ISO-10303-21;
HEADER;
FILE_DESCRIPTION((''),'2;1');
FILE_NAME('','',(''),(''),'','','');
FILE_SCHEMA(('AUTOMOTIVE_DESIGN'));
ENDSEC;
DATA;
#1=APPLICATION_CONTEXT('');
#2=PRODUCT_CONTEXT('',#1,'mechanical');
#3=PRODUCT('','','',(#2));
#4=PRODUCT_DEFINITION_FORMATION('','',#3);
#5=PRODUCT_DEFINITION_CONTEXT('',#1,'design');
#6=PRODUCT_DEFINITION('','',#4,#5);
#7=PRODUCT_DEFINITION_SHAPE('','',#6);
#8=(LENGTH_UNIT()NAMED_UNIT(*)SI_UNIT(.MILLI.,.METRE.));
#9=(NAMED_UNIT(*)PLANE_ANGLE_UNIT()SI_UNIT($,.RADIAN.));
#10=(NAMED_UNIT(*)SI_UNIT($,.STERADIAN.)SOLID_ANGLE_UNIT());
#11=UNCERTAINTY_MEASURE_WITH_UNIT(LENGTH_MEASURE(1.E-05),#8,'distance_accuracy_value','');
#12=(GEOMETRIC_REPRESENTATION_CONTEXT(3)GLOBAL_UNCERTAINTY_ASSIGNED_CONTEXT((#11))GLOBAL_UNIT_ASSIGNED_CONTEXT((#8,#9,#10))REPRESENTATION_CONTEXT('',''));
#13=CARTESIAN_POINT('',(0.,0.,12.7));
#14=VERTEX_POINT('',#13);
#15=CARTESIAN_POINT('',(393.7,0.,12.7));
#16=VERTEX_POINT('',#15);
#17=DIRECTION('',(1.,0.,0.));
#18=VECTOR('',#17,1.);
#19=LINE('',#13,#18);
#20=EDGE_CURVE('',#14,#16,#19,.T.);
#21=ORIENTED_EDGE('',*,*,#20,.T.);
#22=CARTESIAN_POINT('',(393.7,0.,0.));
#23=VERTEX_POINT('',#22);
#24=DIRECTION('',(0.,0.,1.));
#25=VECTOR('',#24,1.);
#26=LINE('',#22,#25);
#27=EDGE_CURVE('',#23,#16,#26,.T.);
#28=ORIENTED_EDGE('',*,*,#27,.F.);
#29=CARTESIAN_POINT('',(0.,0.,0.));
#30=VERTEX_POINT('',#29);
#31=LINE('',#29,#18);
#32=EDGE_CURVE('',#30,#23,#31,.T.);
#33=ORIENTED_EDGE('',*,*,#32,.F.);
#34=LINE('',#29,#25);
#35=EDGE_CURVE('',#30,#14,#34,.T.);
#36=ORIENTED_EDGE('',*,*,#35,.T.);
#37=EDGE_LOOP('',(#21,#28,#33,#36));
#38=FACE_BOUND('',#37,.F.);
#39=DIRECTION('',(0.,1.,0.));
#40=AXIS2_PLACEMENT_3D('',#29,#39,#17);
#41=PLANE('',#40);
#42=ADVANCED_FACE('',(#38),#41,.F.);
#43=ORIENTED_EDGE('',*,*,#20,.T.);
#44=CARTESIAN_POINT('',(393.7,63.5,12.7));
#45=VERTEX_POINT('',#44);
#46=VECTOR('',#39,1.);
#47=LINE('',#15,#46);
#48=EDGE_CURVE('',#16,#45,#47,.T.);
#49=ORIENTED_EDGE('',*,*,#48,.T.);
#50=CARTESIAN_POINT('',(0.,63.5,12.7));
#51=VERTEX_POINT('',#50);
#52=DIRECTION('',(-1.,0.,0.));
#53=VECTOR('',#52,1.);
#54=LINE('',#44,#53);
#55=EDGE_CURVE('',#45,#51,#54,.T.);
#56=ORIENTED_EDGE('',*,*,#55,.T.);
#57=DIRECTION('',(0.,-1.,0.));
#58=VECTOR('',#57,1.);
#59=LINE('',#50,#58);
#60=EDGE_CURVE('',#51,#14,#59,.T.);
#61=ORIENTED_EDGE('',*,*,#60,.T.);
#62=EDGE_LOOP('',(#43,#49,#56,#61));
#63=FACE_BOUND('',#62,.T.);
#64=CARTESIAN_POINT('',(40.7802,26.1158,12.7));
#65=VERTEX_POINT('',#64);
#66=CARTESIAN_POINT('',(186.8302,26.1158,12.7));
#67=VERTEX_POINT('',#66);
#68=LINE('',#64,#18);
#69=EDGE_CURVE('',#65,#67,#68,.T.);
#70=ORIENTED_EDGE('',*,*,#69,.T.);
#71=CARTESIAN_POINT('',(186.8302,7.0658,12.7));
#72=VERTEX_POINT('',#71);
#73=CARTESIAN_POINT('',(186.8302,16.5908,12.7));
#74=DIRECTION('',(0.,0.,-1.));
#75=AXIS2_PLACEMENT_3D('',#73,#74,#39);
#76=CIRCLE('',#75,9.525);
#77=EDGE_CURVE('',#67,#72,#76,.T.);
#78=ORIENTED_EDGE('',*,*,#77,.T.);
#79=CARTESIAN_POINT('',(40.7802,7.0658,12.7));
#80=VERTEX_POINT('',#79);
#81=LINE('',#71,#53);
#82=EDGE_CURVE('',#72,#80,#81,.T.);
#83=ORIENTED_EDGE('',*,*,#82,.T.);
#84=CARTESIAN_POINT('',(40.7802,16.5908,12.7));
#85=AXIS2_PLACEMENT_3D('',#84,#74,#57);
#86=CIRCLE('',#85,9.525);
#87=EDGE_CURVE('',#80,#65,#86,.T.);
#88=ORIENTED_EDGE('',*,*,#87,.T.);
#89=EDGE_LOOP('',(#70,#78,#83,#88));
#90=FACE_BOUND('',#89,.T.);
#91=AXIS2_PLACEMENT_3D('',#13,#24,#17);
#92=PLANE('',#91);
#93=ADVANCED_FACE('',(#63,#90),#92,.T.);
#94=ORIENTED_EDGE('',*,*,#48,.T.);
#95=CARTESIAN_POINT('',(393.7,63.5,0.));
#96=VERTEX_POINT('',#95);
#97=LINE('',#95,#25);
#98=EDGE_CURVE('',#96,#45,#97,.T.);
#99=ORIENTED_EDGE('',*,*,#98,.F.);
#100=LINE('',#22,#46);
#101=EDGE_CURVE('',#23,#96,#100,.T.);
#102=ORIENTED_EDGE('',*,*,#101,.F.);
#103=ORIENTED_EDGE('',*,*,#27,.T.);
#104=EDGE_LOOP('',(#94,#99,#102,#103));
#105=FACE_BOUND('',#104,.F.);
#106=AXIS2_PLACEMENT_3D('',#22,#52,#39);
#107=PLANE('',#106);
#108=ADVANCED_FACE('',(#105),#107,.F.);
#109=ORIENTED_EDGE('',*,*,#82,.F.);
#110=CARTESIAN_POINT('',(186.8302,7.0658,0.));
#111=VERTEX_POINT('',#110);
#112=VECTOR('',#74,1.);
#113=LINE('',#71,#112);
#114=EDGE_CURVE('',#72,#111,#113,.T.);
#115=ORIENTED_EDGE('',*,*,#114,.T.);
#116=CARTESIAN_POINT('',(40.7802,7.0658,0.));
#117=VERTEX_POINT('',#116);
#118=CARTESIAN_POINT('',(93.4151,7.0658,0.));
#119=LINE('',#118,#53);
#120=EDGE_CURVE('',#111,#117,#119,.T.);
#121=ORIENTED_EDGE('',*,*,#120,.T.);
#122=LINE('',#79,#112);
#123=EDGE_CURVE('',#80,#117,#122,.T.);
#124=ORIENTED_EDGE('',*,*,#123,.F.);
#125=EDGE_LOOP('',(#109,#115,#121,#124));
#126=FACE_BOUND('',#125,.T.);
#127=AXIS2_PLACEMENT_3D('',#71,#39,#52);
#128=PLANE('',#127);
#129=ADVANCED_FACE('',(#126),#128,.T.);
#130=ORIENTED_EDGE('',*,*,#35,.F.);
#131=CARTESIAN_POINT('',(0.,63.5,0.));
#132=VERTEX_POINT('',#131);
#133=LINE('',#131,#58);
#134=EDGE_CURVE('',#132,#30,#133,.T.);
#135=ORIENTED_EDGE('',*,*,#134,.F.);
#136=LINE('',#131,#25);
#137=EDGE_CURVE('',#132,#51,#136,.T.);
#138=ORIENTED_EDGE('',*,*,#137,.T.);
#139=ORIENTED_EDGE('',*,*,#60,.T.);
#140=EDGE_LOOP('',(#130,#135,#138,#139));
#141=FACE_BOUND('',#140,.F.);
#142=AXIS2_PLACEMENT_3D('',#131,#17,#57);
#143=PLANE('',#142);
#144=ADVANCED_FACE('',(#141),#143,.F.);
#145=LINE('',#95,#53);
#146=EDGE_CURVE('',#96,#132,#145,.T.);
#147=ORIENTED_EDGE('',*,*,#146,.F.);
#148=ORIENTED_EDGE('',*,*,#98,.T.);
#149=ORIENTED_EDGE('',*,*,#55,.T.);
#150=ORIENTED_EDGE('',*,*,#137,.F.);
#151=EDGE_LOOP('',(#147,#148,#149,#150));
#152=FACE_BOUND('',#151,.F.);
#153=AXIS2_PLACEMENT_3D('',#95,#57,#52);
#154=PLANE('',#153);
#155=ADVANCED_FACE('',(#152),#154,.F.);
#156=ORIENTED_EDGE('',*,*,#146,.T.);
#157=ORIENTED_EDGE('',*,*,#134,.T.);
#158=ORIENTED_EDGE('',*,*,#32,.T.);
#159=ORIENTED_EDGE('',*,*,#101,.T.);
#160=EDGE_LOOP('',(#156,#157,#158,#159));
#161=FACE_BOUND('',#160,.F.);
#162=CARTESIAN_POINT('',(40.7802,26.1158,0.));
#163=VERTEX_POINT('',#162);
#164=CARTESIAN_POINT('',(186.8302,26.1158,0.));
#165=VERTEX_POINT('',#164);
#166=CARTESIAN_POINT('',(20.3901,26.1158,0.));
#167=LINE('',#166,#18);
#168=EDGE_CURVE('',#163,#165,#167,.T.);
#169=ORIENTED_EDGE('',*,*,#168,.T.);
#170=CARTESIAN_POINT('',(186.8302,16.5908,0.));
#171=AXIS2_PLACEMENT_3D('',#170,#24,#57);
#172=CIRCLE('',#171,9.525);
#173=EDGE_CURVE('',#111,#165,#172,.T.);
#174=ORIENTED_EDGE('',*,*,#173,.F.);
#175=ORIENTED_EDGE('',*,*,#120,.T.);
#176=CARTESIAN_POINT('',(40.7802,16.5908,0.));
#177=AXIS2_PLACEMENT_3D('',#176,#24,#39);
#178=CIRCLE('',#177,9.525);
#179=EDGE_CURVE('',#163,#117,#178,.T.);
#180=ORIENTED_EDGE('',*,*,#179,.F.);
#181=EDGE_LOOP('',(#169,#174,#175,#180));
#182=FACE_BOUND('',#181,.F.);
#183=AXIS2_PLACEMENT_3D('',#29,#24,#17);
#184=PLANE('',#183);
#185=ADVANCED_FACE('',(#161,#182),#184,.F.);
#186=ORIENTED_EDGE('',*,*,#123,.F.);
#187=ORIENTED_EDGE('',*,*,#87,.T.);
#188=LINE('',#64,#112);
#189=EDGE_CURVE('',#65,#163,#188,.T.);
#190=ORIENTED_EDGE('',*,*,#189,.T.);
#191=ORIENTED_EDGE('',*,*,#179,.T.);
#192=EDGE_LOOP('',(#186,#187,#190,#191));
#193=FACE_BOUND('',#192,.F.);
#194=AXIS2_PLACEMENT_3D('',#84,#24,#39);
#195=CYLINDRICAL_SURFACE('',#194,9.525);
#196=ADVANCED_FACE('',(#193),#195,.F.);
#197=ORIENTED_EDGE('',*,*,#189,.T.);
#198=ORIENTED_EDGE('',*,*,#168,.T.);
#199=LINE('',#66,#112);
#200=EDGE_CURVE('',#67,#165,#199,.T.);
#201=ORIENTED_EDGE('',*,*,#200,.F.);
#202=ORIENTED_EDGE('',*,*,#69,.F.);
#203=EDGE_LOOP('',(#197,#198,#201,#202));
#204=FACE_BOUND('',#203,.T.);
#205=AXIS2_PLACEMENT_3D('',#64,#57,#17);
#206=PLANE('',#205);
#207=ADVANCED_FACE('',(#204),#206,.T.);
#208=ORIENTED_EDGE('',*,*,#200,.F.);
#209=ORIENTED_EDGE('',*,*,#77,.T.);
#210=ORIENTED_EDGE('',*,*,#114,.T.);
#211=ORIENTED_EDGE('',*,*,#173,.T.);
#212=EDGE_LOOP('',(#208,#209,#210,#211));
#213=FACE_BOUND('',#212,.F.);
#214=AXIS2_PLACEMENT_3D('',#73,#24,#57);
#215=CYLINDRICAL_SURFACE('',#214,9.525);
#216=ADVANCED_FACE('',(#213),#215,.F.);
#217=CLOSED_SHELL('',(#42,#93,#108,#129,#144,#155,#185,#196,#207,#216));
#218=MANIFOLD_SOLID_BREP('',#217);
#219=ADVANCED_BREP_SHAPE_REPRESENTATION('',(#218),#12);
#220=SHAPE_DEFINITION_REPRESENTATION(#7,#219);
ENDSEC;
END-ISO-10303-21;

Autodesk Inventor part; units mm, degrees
ref_plane "YZ Plane" through (0, 0, 0) normal (1, 0, 0) x (0, 1, 0)
ref_plane "XZ Plane" through (0, 0, 0) normal (0, 1, 0) x (-1, 0, 0)
ref_plane "XY Plane" through (0, 0, 0) normal (0, 0, 1) x (1, 0, 0)
sketch "Sketch1" plane through (0, 0, 0) normal (0, 0, 1) x (1, 0, 0)
  line L0 (0, 0) -> (393.7, 0)
  line L1 (393.7, 0) -> (393.7, 63.5)
  line L2 (393.7, 63.5) -> (0, 63.5)
  line L3 (0, 63.5) -> (0, 0)
  dimension "d0" = 393.7
  dimension "d1" = 63.5
extrude "Extrusion1" add sketch "Sketch1" along normal blind 12.7
sketch "Sketch2" plane through (0, 0, 12.7) normal (0, 0, 1) x (1, 0, 0)
  line L0 (40.7802, 26.1158) -> (186.8302, 26.1158)
  line L1 (196.3552, 16.5908) -> (196.3552, 16.5908)
  line L2 (186.8302, 7.0658) -> (40.7802, 7.0658)
  line L3 (31.2552, 16.5908) -> (31.2552, 16.5908)
  arc A0 (40.7802, 26.1158) -> (31.2552, 16.5908) centre (40.7802, 16.5908) ccw
  arc A1 (31.2552, 16.5908) -> (40.7802, 7.0658) centre (40.7802, 16.5908) ccw
  arc A2 (186.8302, 7.0658) -> (196.3552, 16.5908) centre (186.8302, 16.5908) ccw
  arc A3 (196.3552, 16.5908) -> (186.8302, 26.1158) centre (186.8302, 16.5908) ccw
  point P0 (196.3552, 7.0658)
  point P1 (196.3552, 26.1158)
  point P2 (31.2552, 7.0658)
  point P3 (31.2552, 16.5908)
  dimension "d4" = 165.1
  dimension "d5" = 19.05
  dimension "d6" = 9.525
extrude "Extrusion2" cut sketch "Sketch2" against normal through all
properties part number "Electronics Side Plate Holes"
